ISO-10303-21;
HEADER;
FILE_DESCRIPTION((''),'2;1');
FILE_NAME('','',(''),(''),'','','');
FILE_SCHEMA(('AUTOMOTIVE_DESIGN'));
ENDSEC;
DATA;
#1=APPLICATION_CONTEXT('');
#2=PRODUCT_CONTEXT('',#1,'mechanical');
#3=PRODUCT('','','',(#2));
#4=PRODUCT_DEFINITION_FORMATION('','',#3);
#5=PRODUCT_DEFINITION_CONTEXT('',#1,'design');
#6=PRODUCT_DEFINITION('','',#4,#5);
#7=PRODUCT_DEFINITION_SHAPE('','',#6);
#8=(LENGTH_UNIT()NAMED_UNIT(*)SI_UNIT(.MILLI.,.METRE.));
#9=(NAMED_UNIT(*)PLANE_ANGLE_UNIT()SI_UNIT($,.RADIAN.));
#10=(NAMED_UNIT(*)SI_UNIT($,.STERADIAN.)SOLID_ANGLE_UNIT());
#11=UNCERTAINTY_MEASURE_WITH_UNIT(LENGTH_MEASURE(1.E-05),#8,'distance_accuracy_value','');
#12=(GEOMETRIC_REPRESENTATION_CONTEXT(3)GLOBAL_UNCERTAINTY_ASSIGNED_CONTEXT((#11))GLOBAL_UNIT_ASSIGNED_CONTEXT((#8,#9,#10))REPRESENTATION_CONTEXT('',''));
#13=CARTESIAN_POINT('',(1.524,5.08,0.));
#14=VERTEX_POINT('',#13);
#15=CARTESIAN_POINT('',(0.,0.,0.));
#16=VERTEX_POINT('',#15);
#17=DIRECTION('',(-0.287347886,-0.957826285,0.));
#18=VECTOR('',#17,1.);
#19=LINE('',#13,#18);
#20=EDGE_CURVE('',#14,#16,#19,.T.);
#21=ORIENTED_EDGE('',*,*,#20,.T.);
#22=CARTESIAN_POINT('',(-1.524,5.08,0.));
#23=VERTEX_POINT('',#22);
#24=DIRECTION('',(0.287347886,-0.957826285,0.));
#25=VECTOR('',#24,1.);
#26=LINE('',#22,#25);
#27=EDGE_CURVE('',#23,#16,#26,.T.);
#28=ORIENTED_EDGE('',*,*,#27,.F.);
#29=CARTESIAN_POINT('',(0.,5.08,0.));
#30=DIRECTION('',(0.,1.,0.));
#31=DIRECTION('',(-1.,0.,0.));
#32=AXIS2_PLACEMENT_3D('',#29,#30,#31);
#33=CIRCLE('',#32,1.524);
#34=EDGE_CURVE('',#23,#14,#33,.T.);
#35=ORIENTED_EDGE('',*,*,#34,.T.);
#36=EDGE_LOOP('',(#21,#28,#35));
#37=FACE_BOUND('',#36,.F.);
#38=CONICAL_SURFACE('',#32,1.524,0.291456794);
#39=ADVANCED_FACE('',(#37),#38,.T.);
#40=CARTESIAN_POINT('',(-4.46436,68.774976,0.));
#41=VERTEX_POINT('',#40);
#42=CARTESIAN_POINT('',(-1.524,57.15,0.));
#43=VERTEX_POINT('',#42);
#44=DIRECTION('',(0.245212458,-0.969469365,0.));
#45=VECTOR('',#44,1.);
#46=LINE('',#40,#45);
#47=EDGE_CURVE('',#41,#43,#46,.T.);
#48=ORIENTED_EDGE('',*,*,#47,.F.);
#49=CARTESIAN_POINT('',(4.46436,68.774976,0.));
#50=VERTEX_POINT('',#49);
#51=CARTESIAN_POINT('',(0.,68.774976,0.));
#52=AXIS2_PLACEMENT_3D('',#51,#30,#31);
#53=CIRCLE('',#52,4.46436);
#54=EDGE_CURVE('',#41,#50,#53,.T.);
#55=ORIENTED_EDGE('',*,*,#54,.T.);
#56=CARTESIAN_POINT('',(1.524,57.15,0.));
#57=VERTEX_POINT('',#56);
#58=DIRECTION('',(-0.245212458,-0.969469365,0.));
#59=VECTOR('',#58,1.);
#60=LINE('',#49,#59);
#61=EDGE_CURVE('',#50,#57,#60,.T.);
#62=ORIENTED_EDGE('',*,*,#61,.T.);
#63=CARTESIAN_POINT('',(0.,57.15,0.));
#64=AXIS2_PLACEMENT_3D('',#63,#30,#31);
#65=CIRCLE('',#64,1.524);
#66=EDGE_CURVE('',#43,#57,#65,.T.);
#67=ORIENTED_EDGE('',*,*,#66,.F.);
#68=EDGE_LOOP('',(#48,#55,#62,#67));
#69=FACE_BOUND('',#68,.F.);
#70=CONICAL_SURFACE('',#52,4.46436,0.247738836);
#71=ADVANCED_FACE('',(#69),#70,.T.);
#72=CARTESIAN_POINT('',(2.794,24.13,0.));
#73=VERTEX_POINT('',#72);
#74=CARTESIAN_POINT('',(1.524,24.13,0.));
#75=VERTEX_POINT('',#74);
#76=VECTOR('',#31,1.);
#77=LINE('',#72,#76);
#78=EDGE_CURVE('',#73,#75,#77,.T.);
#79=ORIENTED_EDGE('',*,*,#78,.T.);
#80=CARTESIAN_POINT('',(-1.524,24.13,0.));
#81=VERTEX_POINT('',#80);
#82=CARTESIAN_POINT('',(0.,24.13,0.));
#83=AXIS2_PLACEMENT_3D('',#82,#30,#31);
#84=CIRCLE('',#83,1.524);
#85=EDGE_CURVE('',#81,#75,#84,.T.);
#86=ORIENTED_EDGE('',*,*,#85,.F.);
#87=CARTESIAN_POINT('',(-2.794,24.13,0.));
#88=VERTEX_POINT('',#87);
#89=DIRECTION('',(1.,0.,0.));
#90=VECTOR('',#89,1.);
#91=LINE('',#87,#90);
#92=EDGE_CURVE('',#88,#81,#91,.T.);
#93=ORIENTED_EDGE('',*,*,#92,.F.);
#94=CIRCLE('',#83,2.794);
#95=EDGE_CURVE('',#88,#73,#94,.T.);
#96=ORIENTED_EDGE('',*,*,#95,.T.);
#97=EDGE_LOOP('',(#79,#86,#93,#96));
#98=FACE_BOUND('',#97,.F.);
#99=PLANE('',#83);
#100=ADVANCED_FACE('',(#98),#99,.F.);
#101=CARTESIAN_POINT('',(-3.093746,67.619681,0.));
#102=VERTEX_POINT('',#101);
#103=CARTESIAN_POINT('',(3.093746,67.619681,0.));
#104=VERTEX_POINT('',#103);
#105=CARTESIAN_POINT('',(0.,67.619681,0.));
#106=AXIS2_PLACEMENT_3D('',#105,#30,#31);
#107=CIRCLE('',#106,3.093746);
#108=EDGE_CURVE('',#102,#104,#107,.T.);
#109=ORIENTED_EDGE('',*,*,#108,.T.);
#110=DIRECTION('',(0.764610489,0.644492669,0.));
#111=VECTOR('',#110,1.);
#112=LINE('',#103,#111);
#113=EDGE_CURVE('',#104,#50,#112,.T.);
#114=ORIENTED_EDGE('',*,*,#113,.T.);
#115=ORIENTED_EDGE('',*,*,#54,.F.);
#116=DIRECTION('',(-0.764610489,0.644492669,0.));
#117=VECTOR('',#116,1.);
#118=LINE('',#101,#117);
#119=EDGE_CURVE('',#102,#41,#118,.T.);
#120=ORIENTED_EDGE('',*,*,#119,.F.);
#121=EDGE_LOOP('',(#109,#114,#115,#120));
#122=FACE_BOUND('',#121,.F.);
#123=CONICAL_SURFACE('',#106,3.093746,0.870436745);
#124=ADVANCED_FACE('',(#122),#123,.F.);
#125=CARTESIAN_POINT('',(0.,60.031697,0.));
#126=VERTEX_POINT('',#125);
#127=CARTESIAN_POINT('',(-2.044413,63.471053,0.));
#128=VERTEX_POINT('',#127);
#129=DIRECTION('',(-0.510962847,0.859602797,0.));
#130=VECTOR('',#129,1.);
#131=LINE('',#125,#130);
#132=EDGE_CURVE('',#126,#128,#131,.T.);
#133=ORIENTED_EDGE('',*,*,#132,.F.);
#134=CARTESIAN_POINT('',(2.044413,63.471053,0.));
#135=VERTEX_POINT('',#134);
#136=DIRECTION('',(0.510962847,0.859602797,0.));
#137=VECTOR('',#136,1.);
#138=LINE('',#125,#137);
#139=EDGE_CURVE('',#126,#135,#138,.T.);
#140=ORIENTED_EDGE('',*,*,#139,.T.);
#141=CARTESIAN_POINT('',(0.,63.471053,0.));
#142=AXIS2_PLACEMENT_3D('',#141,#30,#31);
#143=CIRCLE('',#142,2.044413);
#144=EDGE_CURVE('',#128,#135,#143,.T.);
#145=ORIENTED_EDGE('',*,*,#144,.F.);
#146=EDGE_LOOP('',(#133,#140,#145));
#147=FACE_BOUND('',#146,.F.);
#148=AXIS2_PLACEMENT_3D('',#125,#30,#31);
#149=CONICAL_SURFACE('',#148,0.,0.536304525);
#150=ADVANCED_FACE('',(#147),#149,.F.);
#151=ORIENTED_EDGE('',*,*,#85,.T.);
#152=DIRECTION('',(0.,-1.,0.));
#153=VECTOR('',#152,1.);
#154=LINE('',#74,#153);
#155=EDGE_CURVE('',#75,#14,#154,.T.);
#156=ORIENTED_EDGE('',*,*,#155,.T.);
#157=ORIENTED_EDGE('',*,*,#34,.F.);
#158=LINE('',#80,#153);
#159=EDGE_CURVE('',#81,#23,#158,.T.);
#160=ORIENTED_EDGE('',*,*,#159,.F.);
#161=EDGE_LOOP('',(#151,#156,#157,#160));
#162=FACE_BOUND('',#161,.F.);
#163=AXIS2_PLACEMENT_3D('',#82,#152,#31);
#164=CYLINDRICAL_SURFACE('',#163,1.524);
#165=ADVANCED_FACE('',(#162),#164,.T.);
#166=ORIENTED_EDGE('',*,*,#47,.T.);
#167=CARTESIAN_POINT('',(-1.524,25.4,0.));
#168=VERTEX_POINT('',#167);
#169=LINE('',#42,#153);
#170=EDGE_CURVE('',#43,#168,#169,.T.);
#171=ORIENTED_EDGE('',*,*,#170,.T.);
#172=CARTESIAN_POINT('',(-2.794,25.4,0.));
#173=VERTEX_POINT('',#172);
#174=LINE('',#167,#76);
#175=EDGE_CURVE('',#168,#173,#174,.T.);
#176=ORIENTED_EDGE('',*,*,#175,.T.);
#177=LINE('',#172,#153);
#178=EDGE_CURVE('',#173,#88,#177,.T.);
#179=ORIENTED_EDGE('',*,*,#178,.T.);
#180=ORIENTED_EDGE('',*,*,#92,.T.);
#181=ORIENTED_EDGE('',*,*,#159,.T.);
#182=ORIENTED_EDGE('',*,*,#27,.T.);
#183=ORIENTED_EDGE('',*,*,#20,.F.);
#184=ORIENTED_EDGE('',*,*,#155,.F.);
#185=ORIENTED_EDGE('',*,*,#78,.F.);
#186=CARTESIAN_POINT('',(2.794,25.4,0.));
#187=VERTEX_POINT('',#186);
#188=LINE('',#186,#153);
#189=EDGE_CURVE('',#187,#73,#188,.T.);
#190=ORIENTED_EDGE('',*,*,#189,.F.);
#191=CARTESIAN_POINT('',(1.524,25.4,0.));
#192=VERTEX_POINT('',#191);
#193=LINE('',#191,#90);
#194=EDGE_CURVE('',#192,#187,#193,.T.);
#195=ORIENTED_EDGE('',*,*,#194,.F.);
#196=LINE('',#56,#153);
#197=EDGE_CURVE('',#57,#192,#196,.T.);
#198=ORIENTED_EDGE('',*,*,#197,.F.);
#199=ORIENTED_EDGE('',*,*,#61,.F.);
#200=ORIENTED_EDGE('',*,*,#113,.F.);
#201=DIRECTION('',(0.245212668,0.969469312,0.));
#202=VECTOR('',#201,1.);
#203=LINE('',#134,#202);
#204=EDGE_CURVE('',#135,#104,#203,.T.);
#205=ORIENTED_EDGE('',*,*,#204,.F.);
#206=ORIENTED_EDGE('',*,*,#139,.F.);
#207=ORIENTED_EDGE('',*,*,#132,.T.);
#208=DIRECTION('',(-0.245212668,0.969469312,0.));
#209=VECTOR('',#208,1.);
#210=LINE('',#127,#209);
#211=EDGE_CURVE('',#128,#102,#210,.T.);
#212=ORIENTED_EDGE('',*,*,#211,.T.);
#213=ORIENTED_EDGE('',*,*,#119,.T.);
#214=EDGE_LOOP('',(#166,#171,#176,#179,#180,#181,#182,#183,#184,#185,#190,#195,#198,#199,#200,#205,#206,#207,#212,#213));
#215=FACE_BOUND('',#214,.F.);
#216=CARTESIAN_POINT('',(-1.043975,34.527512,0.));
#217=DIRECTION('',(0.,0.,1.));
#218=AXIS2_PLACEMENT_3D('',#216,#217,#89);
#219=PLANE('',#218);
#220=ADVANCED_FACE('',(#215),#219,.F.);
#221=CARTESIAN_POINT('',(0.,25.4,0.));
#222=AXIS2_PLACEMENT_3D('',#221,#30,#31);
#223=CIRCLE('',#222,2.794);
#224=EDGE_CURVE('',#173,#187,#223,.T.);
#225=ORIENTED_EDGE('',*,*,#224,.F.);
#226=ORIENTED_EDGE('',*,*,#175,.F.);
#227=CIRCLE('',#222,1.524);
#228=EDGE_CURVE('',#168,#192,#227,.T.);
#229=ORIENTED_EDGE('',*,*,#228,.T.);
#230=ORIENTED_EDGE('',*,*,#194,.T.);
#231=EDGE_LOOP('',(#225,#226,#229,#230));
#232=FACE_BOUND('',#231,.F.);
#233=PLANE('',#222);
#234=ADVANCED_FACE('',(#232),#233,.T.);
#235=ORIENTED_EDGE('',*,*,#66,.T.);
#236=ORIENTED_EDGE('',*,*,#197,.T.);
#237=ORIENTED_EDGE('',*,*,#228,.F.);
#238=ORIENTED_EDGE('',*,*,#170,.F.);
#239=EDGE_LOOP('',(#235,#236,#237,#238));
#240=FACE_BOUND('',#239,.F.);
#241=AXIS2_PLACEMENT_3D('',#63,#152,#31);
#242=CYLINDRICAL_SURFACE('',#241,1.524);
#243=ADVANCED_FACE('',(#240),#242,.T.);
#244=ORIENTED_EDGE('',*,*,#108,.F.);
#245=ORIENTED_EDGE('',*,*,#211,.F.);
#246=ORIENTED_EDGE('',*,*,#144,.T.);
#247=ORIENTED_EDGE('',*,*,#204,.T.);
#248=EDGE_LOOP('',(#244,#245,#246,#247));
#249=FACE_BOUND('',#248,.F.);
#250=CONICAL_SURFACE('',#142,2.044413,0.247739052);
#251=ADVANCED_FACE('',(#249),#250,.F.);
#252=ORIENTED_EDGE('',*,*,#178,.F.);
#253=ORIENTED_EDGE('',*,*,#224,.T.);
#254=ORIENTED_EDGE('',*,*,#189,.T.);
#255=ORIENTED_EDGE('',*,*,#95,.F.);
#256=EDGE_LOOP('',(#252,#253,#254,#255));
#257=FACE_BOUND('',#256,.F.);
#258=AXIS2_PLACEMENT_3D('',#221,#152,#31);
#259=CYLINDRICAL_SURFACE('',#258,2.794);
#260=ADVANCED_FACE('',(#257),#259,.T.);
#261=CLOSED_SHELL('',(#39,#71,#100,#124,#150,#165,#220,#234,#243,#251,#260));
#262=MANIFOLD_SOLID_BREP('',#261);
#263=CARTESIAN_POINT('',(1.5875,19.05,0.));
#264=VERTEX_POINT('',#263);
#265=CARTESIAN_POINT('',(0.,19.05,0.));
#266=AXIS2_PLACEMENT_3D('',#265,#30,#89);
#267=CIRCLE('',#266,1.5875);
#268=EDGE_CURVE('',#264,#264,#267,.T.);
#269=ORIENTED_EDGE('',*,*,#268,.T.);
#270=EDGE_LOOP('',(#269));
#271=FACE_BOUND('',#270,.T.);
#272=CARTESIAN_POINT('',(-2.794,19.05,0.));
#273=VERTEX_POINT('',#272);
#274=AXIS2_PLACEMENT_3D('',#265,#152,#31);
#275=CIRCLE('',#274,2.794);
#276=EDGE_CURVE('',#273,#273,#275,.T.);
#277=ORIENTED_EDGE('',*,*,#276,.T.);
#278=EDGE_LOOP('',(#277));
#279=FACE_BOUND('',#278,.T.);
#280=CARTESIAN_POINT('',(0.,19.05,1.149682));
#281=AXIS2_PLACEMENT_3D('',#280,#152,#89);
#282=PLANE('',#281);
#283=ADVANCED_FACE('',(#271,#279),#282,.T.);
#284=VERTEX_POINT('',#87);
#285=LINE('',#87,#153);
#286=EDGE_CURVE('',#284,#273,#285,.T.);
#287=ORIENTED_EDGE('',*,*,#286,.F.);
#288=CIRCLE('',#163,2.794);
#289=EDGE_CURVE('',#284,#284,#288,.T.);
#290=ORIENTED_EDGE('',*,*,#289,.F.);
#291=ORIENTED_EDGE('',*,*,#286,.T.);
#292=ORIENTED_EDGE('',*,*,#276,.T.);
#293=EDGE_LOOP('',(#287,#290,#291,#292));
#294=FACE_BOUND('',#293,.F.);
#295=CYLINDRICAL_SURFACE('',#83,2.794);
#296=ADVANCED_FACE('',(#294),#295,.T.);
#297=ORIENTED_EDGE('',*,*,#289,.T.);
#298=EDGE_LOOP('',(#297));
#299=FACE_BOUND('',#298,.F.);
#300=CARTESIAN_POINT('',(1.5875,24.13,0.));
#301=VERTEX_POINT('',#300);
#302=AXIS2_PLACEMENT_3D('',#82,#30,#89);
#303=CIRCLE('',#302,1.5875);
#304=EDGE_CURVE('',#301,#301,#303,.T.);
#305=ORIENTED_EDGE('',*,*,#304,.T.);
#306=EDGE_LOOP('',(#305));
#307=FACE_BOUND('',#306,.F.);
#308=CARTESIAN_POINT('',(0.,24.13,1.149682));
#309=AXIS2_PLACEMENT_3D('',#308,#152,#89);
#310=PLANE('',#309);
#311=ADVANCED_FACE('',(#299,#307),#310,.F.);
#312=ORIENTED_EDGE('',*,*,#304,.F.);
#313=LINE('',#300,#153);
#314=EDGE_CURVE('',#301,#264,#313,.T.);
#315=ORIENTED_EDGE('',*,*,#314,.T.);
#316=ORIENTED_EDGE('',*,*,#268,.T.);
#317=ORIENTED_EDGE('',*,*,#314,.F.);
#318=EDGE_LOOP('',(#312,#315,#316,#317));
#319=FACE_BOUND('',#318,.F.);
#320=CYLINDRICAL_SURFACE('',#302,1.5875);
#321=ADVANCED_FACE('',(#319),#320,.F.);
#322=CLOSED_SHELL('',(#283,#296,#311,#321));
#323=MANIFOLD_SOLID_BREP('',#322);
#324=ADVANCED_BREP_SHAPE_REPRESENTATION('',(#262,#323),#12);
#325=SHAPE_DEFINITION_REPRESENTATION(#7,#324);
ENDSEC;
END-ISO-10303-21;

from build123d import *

# Parameters (mm, degrees)
F1_ANGLE = 180
F3_DEPTH = 5.08


with BuildPart() as f1:
    # F0 (on Top) → F1 (revolve)
    with BuildSketch(Plane.XY):
        Polygon((-1.524, 5.08), (0, 0), (0, 60.031697), (-2.044413, 63.471053), (-3.093746, 67.619681), (-4.46436, 68.774976), (-1.524, 57.15), (-1.524, 25.4), (-2.794, 25.4), (-2.794, 24.13), (-1.524, 24.13), align=None)
    revolve(axis=Axis((0, 30.015849, 0), (0, 1, 0)), revolution_arc=F1_ANGLE)


with BuildPart() as f3:
    # F2 (on face) → F3 (new body)
    with BuildSketch(Plane.XZ.offset(-24.13)):
        with BuildLine():
            Line((1.5875, 0), (2.794, 0))
            ThreePointArc((2.794, 0), (0, 2.794), (-2.794, 0))
            Line((-2.794, 0), (-1.5875, 0))
            ThreePointArc((-1.5875, 0), (0, 1.5875), (1.5875, 0))
        make_face()
        with BuildLine():
            ThreePointArc((-2.794, 0), (0, -2.794), (2.794, 0))
            Line((2.794, 0), (1.5875, 0))
            ThreePointArc((1.5875, 0), (0, -1.5875), (-1.5875, 0))
            Line((-1.5875, 0), (-2.794, 0))
        make_face()
    extrude(amount=F3_DEPTH)


solid = Compound([f1.part, f3.part])
